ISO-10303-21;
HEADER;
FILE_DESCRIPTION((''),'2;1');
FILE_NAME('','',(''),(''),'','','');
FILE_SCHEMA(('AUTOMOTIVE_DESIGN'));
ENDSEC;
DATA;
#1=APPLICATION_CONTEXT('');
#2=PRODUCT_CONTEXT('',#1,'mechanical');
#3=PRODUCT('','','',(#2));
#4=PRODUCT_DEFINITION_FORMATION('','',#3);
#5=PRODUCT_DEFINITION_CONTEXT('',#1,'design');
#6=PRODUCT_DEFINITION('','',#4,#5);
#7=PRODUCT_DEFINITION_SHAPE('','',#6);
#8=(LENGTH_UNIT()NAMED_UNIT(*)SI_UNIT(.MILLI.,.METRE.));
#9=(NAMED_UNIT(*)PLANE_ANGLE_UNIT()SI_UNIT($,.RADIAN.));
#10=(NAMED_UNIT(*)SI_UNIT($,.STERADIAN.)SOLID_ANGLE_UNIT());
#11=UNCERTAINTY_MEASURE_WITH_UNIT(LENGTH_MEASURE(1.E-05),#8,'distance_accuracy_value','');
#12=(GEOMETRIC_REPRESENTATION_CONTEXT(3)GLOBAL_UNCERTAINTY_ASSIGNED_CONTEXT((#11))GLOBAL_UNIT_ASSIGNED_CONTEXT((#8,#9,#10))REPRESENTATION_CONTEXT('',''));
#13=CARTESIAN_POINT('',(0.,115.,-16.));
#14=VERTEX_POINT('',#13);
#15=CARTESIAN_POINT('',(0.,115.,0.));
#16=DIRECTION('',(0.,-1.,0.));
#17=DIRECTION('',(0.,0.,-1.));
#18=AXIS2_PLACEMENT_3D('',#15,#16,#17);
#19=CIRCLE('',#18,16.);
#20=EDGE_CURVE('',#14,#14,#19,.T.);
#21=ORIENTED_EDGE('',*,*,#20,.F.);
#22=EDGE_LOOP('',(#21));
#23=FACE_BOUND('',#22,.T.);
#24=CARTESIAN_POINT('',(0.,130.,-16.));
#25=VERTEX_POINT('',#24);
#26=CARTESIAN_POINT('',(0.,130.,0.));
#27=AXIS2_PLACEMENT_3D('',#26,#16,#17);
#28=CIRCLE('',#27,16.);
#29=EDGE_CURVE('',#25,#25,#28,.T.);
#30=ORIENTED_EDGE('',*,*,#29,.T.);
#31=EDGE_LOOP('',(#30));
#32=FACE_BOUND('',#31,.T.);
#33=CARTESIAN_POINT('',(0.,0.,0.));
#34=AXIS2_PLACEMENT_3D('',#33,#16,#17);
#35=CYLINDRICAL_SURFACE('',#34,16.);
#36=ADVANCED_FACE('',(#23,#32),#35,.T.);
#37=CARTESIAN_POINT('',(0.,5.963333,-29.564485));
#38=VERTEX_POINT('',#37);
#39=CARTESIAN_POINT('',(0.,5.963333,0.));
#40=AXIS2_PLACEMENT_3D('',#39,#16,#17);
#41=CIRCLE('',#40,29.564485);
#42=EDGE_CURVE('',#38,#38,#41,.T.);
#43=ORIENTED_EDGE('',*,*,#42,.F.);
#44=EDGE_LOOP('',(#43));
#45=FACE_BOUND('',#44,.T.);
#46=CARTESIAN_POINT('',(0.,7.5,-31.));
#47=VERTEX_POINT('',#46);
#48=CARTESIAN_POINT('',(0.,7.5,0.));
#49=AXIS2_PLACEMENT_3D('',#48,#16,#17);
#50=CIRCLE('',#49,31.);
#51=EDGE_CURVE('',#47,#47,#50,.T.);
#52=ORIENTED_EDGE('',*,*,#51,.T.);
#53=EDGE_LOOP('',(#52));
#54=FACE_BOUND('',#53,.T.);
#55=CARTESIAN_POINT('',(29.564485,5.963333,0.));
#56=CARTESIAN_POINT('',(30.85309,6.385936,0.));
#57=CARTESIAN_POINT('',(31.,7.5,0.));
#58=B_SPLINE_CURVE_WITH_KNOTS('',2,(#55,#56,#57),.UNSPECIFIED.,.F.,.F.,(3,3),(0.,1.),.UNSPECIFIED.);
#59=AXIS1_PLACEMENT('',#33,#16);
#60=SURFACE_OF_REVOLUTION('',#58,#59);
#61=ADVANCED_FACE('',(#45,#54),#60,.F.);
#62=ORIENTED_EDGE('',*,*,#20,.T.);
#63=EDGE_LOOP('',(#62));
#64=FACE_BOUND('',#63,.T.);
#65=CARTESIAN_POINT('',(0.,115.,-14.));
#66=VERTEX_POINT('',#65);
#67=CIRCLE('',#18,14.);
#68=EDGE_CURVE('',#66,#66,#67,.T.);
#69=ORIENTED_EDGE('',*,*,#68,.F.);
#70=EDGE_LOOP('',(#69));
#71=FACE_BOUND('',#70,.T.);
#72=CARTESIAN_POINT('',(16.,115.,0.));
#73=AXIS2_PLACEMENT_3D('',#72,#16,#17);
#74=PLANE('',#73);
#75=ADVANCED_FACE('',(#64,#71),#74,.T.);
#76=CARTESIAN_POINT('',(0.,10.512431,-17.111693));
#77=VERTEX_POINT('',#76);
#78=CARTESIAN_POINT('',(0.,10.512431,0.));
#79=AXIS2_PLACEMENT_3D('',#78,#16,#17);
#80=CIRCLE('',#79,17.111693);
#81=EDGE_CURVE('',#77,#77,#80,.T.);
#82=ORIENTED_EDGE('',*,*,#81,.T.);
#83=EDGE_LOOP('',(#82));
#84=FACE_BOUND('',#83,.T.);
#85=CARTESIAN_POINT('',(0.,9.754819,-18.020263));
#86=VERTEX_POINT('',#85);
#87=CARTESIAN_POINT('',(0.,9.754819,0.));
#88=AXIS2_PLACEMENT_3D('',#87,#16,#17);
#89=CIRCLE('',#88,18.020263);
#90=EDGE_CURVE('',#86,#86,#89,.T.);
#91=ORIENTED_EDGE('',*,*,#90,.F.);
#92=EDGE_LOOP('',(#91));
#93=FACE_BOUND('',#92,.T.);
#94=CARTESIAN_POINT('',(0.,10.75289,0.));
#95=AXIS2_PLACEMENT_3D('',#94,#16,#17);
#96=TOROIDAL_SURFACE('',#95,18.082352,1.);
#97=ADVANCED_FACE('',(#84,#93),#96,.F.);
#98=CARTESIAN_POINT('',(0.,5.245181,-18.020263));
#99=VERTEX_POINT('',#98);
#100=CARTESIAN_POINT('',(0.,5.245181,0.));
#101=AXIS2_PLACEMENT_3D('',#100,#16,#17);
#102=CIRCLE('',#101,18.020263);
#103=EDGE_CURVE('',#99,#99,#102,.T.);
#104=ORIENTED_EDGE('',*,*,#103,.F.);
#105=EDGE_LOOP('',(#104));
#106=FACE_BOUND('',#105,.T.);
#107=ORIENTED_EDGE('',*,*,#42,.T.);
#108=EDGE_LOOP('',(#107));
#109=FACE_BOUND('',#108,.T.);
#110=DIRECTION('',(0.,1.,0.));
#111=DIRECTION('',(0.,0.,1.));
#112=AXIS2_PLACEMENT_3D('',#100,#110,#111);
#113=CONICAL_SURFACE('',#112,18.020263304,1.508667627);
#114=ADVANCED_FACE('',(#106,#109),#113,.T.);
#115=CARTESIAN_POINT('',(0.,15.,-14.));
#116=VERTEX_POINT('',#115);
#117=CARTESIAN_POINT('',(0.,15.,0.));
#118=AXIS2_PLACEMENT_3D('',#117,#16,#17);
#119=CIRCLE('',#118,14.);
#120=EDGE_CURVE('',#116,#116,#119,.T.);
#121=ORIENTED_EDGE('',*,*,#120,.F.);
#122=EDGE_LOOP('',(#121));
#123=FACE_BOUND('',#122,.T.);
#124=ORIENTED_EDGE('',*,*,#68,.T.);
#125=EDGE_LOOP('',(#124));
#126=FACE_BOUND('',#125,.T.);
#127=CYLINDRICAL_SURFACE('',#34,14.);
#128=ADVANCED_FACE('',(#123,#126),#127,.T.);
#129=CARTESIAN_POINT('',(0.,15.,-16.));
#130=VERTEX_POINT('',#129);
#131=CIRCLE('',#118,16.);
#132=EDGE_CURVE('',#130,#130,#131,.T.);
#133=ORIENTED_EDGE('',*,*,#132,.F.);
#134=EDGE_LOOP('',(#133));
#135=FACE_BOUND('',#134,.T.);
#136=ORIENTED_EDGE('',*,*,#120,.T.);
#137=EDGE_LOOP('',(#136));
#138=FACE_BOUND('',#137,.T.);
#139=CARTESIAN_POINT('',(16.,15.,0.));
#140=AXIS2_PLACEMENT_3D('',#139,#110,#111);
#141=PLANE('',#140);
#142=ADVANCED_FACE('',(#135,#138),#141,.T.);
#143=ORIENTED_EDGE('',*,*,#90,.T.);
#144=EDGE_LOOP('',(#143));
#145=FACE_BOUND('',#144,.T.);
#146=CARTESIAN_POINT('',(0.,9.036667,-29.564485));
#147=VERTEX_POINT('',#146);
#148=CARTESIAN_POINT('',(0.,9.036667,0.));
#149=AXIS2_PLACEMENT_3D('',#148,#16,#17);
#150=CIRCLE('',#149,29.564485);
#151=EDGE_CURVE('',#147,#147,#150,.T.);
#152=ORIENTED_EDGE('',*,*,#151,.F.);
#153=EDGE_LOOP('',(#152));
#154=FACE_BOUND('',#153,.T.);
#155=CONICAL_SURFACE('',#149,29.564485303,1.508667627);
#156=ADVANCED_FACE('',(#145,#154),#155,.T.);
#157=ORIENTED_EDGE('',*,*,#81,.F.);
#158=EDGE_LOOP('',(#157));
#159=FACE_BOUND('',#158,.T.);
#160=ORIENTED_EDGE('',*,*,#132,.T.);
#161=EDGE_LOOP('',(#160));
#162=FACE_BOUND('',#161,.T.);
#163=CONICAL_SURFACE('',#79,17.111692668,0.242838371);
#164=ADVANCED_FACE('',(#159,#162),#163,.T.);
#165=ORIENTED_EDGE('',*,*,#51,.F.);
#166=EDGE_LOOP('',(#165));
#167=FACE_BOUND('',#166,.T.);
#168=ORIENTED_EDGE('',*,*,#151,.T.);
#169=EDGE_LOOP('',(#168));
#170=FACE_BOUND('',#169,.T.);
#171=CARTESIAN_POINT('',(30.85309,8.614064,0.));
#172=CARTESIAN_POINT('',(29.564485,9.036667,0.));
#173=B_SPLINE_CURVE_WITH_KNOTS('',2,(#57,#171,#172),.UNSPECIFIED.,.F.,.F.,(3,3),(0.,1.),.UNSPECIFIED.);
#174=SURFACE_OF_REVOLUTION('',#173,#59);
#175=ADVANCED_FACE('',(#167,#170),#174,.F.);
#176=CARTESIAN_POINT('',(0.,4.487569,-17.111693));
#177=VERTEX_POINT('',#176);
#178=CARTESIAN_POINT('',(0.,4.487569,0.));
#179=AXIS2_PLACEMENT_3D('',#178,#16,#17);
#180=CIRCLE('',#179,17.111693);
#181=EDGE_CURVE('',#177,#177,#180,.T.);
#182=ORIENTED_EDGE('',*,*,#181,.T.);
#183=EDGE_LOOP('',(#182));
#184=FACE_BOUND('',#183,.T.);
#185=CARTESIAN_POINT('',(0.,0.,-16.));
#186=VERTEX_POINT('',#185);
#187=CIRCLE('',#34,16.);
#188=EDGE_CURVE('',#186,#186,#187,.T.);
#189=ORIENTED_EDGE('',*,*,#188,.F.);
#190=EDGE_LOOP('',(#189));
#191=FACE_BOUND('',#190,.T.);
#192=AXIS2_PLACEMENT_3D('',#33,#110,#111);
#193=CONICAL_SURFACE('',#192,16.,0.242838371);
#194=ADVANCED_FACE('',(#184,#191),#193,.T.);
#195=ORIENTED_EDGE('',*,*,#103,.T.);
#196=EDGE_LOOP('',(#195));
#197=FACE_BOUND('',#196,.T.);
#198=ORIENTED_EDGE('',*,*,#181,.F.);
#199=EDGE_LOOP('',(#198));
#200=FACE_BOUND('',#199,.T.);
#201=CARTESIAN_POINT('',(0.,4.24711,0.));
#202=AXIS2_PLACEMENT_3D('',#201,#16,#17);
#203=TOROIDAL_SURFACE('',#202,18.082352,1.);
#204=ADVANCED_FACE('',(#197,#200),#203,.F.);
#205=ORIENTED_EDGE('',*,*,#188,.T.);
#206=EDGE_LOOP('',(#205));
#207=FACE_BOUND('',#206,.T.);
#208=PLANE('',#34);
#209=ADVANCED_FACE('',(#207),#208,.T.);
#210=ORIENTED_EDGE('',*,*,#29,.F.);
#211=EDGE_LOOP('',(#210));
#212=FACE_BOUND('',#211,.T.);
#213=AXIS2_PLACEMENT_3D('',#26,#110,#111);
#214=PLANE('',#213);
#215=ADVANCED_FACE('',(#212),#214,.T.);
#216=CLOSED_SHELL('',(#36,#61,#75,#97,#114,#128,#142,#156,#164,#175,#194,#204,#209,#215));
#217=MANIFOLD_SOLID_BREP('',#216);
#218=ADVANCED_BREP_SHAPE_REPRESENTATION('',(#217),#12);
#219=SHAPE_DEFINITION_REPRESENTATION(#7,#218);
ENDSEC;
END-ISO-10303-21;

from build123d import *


with BuildPart() as part:
    # Sketch1 → Revolve1 (revolve)
    with BuildSketch(Plane.XY, mode=Mode.PRIVATE) as revolve1_sk:
        with BuildLine():
            Line((0, 0), (0, 130))
            Line((0, 130), (16, 130))
            Line((16, 130), (16, 115))
            Line((16, 115), (14, 115))
            Line((14, 115), (14, 15))
            Line((14, 15), (16, 15))
            Line((16, 15), (17.111692668, 10.512431094))
            ThreePointArc((17.111692668, 10.512431094), (17.441933325, 9.984863822), (18.020263304, 9.754819144))
            Line((18.020263304, 9.754819144), (29.564485303, 9.036667386))
            add(Edge.make_bspline(
                [(29.564485303, 9.036667386), (30.853089791, 8.614064405), (31, 7.5)],
                knots=[0, 0, 0, 1, 1, 1], degree=2))
            add(Edge.make_bspline(
                [(29.564485303, 5.963332614), (30.853089791, 6.385935595), (31, 7.5)],
                knots=[0, 0, 0, 1, 1, 1], degree=2))
            Line((29.564485303, 5.963332614), (18.020263304, 5.245180856))
            ThreePointArc((18.020263304, 5.245180856), (17.441933325, 5.015136178), (17.111692668, 4.487568906))
            Line((17.111692668, 4.487568906), (16, 0))
            Line((16, 0), (0, 0))
        make_face()
    revolve(revolve1_sk.sketch.rotate(Axis((0, 0, 0), (0, 1, 0)), 90), axis=Axis((0, 0, 0), (0, 1, 0)))


solid = part.part
